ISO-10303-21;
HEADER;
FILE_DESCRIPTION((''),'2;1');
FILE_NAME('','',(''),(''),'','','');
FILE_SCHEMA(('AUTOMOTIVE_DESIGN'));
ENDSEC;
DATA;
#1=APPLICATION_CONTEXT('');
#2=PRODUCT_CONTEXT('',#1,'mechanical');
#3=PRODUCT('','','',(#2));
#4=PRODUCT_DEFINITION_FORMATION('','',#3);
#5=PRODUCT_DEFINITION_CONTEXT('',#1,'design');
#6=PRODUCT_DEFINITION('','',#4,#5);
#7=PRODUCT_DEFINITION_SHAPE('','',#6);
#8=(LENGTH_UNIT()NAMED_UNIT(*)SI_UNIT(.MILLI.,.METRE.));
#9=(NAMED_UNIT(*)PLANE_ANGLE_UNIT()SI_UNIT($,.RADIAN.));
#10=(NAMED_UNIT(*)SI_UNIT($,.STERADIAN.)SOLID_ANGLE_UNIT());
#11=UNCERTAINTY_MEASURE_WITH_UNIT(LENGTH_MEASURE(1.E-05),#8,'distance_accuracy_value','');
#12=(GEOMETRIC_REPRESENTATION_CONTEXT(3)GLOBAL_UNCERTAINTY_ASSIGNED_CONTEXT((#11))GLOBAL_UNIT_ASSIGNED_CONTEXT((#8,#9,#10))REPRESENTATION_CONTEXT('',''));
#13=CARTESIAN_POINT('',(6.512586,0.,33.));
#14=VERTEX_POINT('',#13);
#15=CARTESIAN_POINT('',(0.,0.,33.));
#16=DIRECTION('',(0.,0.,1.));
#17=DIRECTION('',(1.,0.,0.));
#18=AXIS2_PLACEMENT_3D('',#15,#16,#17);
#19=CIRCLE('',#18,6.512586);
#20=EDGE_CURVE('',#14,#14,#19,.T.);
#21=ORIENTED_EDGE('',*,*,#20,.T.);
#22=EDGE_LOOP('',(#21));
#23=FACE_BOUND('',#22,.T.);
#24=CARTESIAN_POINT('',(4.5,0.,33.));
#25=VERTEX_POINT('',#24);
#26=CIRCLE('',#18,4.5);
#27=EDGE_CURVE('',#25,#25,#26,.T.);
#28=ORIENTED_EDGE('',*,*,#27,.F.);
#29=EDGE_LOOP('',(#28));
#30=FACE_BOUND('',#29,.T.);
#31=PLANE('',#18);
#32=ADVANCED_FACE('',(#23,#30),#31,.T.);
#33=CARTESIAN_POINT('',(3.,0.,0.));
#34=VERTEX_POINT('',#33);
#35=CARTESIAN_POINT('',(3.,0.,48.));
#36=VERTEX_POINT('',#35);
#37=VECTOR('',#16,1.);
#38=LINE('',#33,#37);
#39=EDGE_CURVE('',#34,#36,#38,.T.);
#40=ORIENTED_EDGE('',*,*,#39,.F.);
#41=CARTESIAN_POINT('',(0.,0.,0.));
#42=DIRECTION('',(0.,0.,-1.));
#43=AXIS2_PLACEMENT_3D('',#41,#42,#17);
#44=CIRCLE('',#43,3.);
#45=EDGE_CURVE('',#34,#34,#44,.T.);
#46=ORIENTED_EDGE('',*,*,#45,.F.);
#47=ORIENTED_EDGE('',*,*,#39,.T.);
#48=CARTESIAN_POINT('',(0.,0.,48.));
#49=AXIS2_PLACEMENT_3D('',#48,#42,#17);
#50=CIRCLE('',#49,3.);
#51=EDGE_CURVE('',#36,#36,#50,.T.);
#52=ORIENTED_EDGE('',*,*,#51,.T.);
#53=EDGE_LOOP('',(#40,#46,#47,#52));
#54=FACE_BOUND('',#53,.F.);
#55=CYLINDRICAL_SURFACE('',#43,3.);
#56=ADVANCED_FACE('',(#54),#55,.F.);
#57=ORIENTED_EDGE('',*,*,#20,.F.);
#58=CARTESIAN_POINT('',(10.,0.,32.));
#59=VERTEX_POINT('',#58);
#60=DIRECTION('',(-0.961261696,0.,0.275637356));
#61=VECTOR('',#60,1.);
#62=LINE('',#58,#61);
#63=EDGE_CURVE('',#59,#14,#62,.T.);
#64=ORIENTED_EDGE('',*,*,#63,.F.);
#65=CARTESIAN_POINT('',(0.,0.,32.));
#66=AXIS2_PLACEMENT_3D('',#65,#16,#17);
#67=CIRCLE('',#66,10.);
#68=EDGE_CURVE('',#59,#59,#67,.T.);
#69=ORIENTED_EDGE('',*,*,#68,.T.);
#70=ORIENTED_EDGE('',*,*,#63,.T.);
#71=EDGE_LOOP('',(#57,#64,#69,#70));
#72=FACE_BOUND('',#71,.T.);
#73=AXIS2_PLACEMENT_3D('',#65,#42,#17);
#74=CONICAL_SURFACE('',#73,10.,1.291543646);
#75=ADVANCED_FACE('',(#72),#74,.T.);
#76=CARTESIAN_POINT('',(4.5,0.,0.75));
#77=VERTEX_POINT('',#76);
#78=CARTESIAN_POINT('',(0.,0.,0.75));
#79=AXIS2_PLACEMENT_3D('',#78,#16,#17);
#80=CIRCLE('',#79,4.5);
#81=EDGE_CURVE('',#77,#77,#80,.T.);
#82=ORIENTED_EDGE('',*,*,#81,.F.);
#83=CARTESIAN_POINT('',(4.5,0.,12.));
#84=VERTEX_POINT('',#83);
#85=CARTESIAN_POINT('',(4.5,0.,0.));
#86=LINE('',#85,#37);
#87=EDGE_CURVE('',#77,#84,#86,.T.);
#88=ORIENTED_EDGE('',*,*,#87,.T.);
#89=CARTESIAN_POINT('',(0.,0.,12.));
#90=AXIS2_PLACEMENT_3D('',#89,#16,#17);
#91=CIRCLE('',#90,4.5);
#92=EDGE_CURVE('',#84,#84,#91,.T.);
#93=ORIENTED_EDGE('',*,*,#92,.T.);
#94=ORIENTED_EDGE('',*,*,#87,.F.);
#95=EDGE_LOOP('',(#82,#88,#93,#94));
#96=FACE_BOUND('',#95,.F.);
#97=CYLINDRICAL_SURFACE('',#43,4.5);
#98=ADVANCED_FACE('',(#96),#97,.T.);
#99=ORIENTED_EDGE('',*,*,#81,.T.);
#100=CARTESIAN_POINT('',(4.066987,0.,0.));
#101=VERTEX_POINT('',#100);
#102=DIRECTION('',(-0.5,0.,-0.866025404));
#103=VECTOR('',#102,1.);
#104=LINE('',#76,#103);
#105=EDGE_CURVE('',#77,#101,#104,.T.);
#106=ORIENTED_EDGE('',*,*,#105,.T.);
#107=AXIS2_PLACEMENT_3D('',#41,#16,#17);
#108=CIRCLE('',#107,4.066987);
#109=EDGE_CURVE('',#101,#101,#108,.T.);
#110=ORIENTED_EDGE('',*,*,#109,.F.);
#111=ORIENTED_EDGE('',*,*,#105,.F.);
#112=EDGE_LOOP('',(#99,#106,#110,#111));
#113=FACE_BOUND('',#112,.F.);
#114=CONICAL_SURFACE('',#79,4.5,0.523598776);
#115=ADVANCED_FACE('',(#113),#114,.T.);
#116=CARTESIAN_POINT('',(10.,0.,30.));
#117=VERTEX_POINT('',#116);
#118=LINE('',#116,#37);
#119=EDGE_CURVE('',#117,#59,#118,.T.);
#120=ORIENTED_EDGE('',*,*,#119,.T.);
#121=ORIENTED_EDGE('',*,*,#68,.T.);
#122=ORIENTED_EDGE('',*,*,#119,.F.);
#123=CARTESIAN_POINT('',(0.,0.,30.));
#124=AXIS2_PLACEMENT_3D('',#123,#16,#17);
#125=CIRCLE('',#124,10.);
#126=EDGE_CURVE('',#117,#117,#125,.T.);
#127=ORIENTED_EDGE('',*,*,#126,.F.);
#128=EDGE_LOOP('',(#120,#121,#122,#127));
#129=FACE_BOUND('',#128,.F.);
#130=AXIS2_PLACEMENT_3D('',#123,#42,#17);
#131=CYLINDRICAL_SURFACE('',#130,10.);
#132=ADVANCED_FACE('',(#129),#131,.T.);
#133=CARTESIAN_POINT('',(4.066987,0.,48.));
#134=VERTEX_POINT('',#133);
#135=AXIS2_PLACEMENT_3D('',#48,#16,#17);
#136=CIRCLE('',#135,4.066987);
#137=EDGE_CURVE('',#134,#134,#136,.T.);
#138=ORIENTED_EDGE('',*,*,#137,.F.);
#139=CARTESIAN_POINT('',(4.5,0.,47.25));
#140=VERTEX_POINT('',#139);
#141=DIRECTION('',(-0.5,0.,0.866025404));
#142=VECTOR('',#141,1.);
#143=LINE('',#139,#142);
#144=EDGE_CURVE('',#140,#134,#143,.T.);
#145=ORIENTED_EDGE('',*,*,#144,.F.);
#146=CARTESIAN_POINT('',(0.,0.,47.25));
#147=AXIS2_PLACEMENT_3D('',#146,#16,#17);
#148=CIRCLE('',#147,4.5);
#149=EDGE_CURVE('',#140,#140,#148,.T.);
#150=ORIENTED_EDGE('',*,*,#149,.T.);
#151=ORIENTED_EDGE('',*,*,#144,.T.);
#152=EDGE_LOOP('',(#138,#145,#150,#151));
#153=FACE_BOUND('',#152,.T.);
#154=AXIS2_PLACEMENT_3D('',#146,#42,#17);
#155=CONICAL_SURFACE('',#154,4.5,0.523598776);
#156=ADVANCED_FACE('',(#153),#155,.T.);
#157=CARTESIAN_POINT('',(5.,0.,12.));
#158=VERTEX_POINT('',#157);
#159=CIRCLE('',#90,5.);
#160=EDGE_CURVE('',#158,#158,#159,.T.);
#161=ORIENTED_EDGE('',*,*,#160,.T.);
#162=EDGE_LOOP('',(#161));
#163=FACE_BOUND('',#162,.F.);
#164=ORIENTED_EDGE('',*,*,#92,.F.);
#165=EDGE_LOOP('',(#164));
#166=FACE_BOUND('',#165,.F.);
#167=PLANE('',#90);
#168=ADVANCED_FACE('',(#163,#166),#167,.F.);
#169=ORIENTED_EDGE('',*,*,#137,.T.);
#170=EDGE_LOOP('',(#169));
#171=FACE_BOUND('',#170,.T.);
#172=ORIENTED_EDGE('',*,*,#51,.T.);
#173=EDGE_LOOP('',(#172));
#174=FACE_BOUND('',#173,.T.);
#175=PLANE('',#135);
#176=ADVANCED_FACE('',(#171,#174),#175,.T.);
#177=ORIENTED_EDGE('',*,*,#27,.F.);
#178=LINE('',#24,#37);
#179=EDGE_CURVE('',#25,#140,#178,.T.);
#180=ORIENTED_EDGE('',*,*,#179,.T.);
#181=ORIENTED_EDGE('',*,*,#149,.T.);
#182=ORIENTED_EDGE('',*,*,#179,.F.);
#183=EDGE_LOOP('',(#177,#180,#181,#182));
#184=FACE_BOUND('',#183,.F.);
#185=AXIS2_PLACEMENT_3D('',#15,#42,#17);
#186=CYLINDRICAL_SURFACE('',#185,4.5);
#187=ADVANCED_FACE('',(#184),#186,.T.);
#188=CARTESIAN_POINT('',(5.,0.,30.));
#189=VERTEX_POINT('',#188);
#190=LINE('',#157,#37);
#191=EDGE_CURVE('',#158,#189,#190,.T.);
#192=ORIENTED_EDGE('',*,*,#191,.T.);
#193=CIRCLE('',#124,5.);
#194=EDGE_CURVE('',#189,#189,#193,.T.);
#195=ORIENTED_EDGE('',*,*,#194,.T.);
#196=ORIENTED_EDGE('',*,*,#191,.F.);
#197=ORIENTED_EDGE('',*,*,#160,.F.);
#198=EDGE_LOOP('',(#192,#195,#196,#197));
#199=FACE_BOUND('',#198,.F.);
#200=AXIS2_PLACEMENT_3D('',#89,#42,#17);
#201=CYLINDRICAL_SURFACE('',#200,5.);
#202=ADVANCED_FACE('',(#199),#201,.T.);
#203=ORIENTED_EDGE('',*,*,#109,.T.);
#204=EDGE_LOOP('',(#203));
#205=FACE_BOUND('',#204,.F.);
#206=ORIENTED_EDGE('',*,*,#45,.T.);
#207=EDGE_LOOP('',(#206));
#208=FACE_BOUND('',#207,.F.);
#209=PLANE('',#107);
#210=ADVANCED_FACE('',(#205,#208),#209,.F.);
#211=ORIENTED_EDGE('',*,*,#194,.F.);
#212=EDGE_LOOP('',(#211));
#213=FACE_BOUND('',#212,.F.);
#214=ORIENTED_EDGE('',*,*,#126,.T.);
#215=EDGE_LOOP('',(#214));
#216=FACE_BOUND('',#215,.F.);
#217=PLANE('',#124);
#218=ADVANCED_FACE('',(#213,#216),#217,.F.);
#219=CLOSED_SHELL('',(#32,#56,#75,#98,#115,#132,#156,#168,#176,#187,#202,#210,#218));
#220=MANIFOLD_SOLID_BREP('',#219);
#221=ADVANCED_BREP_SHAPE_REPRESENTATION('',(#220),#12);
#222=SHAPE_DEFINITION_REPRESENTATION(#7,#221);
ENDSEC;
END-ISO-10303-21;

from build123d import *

# Parameters (mm, degrees)
F0_R      = 4.5
F1_DEPTH  = 12
F2_R      = 5
F3_DEPTH  = 18
F4_R      = 10
F5_DEPTH  = 3
F6_R      = 4.5
F7_DEPTH  = 15
F8_R      = 3
F9_DEPTH  = 48.001
F10_SIZE2 = 0.4330127019
F10_SIZE  = 0.75
F11_SIZE2 = 0.4330127019
F11_SIZE  = 0.75
F12_SIZE2 = 3.4874144438
F12_SIZE  = 1


with BuildPart() as f1:
    # F0 (on Top) → F1 (new body)
    with BuildSketch(Plane.XY):
        Circle(F0_R)
    extrude(amount=F1_DEPTH)

    # F2 (on face) → F3 (join)
    with BuildSketch(Plane.XY.offset(12)):
        Circle(F2_R)
    extrude(amount=F3_DEPTH)

    # F4 (on face) → F5 (join)
    with BuildSketch(Plane.XY.offset(30)):
        Circle(F4_R)
    extrude(amount=F5_DEPTH)

    # F6 (on face) → F7 (join)
    with BuildSketch(Plane.XY.offset(33)):
        Circle(F6_R)
    extrude(amount=F7_DEPTH)

    # F8 (on face) → F9 (cut, through all)
    with BuildSketch(Plane(origin=(0, 0, 0), x_dir=(1, 0, 0), z_dir=(0, 0, -1))):
        Circle(F8_R)
    extrude(amount=-F9_DEPTH, mode=Mode.SUBTRACT)

    # F10
    f10_edges = [f1.edges().sort_by_distance(p)[0] for p in [
        (-4.5, 0, 48),
    ]]
    f10_side = f1.faces().sort_by_distance((-4.5, 0, 40.5))[0]
    chamfer(f10_edges, length=F10_SIZE, length2=F10_SIZE2, reference=f10_side)

    # F11
    f11_edges = [f1.edges().sort_by_distance(p)[0] for p in [
        (-4.5, 0, 0),
    ]]
    f11_side = f1.faces().sort_by_distance((-4.5, 0, 6))[0]
    chamfer(f11_edges, length=F11_SIZE, length2=F11_SIZE2, reference=f11_side)

    # F12
    f12_edges = [f1.edges().sort_by_distance(p)[0] for p in [
        (-10, 0, 33),
    ]]
    f12_side = f1.faces().sort_by_distance((-10, 0, 31.5))[0]
    chamfer(f12_edges, length=F12_SIZE, length2=F12_SIZE2, reference=f12_side)


solid = f1.part
